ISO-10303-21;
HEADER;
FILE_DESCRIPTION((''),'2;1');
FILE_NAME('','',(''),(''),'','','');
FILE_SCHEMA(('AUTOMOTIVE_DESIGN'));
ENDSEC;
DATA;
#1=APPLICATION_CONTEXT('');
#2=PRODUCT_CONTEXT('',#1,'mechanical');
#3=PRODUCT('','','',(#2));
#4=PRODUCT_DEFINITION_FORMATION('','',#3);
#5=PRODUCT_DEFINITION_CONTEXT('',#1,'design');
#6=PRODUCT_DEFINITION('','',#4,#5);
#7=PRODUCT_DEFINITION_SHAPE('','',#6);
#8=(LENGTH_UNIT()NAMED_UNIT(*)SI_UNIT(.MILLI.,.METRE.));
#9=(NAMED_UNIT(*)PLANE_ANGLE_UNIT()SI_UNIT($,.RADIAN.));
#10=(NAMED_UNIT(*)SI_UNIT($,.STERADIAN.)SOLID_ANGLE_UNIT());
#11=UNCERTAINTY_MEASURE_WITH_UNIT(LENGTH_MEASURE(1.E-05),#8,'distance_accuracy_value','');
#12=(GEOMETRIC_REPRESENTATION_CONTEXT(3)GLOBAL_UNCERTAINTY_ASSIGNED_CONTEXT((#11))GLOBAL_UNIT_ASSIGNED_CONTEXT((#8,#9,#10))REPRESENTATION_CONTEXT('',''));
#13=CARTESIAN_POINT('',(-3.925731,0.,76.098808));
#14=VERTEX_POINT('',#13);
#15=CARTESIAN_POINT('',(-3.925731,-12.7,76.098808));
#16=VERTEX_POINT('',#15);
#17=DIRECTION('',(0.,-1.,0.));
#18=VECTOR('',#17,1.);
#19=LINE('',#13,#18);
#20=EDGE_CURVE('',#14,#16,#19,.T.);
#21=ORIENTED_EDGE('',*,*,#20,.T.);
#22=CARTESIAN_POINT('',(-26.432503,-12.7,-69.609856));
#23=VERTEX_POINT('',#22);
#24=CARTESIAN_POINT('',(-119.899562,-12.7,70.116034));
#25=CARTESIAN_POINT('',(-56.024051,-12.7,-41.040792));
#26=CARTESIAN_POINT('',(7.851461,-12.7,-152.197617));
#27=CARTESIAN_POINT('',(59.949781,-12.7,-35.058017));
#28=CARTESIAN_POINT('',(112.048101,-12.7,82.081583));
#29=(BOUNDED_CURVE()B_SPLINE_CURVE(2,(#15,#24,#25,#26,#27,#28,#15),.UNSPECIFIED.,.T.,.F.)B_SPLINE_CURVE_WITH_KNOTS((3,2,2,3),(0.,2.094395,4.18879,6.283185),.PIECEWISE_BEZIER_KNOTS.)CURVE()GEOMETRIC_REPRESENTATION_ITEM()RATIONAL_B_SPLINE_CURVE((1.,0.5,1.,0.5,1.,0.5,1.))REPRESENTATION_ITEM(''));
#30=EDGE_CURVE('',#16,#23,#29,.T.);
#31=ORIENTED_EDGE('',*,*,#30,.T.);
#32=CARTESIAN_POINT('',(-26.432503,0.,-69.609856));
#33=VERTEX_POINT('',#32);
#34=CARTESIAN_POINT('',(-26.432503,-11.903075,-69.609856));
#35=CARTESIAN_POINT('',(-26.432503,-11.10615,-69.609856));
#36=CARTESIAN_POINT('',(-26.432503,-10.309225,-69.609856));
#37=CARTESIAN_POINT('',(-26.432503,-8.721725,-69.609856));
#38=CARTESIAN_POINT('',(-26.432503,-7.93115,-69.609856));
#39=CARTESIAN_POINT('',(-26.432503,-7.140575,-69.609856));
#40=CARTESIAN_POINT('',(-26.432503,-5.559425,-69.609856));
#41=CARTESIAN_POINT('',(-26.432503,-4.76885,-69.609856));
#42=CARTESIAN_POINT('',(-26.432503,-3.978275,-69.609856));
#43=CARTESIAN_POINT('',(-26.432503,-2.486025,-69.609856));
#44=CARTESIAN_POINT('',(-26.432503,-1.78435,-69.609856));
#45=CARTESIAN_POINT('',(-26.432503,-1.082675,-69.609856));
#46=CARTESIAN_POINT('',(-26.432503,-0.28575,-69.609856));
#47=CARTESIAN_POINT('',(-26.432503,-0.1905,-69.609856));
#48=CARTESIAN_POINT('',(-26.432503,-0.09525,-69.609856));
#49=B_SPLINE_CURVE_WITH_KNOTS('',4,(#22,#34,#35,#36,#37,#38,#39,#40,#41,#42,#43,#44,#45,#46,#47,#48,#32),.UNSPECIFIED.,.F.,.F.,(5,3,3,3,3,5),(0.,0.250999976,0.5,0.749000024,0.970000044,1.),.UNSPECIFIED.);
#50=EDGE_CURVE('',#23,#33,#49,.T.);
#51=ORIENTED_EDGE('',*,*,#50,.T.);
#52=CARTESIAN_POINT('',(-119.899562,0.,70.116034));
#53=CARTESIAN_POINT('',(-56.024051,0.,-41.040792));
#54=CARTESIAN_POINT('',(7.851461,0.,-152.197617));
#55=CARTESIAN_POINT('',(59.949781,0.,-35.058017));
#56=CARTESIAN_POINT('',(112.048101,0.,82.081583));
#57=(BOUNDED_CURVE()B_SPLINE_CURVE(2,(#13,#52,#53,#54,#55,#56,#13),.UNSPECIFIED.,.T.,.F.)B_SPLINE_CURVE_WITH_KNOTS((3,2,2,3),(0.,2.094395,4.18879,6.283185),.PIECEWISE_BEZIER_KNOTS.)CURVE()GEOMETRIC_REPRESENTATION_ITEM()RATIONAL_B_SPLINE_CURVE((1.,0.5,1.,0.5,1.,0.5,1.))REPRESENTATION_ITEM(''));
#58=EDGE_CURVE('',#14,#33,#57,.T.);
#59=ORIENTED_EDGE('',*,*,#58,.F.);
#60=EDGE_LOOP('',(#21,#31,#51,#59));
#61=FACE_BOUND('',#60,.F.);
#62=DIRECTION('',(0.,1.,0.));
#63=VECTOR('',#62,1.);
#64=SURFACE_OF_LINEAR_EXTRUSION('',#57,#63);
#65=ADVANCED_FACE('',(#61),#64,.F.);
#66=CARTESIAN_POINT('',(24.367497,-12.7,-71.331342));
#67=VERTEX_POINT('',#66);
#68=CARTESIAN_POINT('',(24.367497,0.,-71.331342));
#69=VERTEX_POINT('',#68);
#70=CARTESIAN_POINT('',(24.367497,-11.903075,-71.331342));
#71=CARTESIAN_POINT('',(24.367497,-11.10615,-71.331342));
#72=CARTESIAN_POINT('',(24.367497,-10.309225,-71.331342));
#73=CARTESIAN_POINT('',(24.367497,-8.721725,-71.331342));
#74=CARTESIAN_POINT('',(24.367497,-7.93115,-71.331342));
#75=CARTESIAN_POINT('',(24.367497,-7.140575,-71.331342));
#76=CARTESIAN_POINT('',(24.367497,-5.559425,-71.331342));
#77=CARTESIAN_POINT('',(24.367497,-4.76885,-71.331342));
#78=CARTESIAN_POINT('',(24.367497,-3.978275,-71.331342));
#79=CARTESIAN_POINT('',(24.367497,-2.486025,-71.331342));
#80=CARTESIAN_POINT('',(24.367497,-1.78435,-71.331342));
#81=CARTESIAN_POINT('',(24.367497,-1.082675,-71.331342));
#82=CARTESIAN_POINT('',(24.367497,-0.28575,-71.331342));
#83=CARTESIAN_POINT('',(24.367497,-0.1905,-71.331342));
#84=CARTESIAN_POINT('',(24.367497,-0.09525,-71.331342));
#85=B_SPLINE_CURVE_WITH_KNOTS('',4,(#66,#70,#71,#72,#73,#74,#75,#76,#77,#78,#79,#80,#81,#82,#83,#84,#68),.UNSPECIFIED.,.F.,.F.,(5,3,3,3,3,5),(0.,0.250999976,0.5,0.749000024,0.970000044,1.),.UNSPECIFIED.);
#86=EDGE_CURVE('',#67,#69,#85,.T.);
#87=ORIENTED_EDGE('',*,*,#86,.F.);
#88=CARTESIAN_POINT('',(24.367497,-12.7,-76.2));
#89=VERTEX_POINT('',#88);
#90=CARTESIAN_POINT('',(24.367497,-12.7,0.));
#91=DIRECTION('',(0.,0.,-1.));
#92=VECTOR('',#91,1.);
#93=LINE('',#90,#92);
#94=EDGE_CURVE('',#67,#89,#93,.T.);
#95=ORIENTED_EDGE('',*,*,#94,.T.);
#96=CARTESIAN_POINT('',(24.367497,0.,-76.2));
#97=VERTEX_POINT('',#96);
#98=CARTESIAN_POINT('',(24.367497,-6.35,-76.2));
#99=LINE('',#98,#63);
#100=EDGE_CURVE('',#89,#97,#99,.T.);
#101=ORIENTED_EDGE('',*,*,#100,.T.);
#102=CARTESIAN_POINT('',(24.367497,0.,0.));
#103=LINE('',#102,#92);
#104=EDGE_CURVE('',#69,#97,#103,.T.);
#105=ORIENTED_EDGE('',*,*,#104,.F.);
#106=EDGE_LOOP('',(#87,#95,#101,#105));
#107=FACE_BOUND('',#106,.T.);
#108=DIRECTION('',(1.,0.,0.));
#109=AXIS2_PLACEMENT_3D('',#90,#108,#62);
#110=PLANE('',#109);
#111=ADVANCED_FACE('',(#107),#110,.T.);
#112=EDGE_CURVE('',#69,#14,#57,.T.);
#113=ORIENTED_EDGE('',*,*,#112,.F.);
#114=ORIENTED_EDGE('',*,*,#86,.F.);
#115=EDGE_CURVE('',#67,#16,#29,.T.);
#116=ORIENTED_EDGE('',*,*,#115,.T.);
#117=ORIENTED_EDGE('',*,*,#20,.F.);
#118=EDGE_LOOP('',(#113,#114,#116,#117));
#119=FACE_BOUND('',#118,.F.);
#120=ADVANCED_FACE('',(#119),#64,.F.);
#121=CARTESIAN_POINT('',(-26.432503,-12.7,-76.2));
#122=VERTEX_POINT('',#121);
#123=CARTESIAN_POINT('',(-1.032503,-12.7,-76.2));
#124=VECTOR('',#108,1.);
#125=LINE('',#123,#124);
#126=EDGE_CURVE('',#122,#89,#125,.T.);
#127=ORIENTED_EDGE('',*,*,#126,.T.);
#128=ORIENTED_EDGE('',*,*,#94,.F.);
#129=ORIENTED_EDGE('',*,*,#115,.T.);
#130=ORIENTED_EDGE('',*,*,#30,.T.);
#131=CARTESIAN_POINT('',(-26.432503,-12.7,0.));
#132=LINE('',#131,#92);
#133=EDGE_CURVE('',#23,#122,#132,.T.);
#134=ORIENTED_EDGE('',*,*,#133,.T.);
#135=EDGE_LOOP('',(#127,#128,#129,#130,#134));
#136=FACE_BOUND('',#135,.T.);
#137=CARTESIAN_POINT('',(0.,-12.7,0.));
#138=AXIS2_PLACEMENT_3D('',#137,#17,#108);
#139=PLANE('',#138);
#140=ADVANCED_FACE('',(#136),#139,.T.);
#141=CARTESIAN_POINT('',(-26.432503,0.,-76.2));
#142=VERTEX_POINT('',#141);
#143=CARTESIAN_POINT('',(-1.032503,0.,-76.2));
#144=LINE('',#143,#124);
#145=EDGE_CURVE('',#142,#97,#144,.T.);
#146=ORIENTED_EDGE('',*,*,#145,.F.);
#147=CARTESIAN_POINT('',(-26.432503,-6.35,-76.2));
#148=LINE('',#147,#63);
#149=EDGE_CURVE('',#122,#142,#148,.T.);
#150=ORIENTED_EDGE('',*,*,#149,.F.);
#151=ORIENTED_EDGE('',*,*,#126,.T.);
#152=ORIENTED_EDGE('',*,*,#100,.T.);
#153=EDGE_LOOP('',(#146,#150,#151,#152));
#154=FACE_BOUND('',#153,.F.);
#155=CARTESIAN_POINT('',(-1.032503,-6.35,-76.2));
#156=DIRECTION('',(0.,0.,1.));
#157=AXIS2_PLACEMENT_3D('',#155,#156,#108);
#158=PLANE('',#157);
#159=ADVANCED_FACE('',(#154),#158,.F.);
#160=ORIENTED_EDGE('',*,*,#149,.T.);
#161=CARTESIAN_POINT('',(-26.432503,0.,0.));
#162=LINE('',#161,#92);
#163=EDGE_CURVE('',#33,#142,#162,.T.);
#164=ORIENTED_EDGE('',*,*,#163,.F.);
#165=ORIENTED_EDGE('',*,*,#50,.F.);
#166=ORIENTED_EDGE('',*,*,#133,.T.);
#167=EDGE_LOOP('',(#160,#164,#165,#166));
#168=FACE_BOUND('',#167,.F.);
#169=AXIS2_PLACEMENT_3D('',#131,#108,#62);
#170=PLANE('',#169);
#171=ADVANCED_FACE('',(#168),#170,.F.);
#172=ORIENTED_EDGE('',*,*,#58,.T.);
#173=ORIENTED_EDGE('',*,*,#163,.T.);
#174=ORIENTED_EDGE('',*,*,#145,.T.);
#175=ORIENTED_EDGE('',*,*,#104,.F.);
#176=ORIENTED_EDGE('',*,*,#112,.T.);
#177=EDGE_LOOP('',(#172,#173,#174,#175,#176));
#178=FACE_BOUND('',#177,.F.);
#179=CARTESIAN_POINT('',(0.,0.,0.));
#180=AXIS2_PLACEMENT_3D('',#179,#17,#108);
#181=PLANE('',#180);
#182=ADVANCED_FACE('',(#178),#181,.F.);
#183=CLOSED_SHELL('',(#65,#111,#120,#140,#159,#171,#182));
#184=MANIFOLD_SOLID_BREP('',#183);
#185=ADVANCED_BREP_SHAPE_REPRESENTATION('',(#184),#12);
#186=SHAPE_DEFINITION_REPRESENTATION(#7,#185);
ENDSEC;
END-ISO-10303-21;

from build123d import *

# Parameters (mm, degrees)
F1_DEPTH = 12.7
F2_W     = 50.8
F2_H     = 12.7
F3_DEPTH = 76.2


with BuildPart() as f1:
    # F0 (on Front) → F1 (new body)
    with BuildSketch(Plane.XZ):
        with BuildLine():
            add(Edge.make_bspline(
                [(-3.925731, 76.098808), (-119.899562, 70.116034), (-56.024051, -41.040792), (7.851461, -152.197617), (59.949781, -35.058017), (112.048101, 82.081583), (-3.925731, 76.098808)],
                knots=[0, 0, 0, 2.094395, 2.094395, 4.18879, 4.18879, 6.283185, 6.283185, 6.283185], degree=2, weights=[1, 0.5, 1, 0.5, 1, 0.5, 1]))
        make_face()
    extrude(amount=F1_DEPTH)

    # F2 (on Top) → F3 (join)
    with BuildSketch(Plane.XY):
        with Locations((-1.032503, -6.35)):
            Rectangle(F2_W, F2_H)
    extrude(amount=-F3_DEPTH)


solid = f1.part
